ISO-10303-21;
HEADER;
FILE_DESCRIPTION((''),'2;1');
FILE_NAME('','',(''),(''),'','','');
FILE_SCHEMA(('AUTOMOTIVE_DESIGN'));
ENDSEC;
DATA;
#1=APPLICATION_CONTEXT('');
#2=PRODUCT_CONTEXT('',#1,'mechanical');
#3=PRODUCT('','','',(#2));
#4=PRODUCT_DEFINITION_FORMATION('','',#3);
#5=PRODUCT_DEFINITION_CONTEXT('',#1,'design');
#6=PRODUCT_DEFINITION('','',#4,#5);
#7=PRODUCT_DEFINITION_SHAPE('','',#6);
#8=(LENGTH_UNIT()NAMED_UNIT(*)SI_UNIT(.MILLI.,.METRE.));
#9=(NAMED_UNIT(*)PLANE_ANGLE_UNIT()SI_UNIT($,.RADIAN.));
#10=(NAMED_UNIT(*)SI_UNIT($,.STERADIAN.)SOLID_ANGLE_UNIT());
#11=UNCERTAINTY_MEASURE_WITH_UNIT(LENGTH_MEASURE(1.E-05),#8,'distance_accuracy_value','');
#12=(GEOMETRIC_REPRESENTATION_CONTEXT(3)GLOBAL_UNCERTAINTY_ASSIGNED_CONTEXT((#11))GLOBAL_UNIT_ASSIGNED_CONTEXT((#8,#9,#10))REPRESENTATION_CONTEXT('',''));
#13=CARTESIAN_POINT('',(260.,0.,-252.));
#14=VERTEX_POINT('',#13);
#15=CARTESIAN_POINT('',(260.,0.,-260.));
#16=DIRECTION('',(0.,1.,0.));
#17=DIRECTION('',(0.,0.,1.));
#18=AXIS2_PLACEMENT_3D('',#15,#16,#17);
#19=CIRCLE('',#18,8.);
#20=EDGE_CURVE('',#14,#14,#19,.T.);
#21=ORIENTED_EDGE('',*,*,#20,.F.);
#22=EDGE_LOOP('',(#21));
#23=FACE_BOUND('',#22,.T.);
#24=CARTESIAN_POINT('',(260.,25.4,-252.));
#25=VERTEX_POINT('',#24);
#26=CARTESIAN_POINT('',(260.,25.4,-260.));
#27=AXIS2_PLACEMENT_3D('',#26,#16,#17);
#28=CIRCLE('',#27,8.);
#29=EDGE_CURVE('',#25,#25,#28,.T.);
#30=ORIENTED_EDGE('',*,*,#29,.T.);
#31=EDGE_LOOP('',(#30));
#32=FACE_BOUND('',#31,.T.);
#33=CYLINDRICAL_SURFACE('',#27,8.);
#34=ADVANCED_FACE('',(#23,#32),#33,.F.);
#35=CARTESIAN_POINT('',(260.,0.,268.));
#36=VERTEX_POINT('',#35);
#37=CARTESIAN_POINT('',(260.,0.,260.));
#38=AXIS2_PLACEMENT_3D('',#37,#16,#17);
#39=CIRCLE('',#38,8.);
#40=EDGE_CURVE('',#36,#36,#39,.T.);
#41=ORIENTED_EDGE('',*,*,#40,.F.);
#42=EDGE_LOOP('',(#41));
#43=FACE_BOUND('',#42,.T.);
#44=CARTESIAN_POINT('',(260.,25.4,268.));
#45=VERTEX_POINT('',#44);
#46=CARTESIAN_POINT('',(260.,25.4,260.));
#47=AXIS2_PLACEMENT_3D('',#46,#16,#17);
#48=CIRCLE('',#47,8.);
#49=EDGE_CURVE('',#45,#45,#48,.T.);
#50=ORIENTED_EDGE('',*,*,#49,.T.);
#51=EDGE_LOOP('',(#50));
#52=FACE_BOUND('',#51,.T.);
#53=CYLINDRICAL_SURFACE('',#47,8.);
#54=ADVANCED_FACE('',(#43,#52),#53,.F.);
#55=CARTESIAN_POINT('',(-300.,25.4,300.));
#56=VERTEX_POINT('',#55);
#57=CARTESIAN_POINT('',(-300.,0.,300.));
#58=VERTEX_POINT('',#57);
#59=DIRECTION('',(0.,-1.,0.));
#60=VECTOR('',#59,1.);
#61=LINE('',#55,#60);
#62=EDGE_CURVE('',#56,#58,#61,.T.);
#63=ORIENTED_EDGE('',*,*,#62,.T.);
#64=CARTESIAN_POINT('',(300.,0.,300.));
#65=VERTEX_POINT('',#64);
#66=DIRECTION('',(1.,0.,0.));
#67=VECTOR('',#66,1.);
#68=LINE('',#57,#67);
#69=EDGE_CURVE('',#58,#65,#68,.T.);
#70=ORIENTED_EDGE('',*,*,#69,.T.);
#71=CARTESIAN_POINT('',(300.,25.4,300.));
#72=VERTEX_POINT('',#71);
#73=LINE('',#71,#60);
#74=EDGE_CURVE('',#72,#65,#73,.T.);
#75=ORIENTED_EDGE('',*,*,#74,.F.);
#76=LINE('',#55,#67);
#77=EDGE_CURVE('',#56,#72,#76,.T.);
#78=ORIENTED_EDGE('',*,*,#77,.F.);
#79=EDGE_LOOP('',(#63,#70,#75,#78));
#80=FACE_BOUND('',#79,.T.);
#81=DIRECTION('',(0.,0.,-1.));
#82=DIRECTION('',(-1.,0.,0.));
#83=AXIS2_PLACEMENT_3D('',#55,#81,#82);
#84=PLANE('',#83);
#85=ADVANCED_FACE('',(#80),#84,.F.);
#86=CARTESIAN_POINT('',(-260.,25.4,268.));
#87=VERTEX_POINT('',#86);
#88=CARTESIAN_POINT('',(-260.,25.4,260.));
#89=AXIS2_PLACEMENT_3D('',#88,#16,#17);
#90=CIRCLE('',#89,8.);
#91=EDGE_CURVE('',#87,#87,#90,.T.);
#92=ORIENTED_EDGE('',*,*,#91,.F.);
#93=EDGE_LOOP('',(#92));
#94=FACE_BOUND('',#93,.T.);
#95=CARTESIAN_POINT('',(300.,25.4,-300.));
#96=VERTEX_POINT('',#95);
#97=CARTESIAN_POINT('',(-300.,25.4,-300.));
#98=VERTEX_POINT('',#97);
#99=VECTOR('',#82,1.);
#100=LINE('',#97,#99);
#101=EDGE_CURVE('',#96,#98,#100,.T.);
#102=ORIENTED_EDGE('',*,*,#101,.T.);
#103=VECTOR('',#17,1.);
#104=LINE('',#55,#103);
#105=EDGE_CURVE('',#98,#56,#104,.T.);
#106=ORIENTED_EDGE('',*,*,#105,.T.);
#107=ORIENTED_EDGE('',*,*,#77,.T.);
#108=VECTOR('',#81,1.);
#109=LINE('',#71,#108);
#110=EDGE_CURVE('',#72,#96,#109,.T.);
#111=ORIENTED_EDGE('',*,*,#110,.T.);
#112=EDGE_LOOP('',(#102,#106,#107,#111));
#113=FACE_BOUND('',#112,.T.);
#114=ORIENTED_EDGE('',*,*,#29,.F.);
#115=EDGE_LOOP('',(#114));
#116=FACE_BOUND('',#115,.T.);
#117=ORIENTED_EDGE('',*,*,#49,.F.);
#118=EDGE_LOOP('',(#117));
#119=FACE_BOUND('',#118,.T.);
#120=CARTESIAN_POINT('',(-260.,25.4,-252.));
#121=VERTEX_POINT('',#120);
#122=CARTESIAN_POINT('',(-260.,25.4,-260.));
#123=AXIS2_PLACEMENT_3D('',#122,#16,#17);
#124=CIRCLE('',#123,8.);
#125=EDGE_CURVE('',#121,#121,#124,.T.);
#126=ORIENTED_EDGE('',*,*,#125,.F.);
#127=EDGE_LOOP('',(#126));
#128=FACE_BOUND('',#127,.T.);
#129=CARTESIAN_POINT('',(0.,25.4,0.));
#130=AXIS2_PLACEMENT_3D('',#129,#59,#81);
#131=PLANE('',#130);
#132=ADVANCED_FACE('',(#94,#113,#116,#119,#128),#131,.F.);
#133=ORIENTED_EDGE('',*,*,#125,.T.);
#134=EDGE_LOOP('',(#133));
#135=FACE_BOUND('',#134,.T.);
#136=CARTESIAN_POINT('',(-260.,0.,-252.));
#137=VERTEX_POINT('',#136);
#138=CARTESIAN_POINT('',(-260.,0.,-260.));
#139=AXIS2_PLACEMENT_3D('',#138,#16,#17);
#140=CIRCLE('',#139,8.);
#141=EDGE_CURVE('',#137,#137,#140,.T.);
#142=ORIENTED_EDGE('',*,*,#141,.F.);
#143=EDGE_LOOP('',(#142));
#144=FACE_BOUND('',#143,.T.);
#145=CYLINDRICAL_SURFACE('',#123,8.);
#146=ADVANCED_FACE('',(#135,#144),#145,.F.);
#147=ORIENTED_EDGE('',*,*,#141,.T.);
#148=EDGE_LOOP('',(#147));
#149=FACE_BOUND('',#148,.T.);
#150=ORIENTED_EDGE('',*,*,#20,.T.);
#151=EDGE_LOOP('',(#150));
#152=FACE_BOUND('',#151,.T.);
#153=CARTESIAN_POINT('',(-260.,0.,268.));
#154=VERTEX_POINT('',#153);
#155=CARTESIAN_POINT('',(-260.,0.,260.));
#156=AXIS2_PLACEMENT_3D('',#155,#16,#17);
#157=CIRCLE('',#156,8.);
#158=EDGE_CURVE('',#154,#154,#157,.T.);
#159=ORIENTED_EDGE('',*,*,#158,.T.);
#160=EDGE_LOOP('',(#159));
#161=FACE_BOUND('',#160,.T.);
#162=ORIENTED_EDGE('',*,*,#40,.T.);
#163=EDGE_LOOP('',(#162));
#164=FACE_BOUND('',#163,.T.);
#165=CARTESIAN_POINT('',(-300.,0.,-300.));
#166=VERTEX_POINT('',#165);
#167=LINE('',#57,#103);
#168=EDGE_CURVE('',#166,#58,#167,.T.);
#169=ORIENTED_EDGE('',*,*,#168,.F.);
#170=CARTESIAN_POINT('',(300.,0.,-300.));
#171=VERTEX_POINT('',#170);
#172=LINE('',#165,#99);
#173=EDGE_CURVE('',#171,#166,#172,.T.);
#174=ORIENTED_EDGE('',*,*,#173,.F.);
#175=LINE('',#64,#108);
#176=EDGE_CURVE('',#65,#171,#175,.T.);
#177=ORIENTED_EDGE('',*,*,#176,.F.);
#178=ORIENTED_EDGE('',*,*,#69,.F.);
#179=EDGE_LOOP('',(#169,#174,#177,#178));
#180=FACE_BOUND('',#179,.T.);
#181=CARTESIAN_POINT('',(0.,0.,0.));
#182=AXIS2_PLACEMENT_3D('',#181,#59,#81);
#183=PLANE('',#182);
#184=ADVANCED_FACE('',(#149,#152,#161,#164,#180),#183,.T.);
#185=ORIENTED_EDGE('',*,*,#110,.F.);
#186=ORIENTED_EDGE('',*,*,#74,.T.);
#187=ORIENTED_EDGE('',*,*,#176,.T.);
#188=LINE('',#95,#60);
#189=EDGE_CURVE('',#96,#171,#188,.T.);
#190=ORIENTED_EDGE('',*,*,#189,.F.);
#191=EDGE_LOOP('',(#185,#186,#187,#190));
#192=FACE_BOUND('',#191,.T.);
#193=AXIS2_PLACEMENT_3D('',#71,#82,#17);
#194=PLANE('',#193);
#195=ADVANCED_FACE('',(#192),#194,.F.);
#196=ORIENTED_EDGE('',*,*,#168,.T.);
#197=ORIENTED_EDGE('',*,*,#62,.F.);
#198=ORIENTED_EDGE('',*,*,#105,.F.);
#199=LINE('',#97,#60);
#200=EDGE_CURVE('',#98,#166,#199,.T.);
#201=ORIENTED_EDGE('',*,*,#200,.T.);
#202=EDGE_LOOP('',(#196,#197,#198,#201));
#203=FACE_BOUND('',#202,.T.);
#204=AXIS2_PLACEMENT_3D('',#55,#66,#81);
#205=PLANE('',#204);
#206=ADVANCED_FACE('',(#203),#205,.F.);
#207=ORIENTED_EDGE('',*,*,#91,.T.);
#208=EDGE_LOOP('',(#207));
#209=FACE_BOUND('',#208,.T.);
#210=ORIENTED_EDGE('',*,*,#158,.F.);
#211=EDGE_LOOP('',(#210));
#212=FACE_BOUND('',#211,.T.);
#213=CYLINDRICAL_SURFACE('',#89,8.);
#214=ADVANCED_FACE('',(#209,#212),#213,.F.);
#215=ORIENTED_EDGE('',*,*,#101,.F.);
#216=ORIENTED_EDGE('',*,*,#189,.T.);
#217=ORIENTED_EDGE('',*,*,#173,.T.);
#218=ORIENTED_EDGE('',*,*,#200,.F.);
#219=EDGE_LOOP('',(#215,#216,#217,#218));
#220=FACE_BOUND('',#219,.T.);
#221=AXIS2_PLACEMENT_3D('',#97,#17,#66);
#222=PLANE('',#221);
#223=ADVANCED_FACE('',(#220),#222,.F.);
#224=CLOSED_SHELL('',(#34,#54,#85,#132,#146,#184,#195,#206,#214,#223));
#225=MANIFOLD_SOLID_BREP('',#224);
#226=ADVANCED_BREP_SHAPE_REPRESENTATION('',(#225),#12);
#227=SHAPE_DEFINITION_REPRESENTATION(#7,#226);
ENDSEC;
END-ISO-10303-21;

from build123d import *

# Parameters (mm, degrees)
ESBO_O1_W                    = 600
ESBO_O1_H                    = 600
RESSALTO_EXTRUS_O1_DEPTH     = 25.4
FURO_DE_DI_METRO_16_0_16_1_D = 16


with BuildPart() as part:
    # Esboço1 → Ressalto-extrusão1 (new body)
    with BuildSketch(Plane(origin=(0, 0, 0), x_dir=(1, 0, 0), z_dir=(0, 1, 0))):
        Rectangle(ESBO_O1_W, ESBO_O1_H)
    extrude(amount=RESSALTO_EXTRUS_O1_DEPTH)

    # Furo de diâmetro Ø16.0 (16)1 (through all)
    with Locations(Plane(origin=(0, 25.4, 0), x_dir=(1, 0, 0), z_dir=(0, 1, 0))):
        with Locations((-260, 260), (260, 260), (260, -260), (-260, -260)):
            Hole(FURO_DE_DI_METRO_16_0_16_1_D / 2)


solid = part.part
